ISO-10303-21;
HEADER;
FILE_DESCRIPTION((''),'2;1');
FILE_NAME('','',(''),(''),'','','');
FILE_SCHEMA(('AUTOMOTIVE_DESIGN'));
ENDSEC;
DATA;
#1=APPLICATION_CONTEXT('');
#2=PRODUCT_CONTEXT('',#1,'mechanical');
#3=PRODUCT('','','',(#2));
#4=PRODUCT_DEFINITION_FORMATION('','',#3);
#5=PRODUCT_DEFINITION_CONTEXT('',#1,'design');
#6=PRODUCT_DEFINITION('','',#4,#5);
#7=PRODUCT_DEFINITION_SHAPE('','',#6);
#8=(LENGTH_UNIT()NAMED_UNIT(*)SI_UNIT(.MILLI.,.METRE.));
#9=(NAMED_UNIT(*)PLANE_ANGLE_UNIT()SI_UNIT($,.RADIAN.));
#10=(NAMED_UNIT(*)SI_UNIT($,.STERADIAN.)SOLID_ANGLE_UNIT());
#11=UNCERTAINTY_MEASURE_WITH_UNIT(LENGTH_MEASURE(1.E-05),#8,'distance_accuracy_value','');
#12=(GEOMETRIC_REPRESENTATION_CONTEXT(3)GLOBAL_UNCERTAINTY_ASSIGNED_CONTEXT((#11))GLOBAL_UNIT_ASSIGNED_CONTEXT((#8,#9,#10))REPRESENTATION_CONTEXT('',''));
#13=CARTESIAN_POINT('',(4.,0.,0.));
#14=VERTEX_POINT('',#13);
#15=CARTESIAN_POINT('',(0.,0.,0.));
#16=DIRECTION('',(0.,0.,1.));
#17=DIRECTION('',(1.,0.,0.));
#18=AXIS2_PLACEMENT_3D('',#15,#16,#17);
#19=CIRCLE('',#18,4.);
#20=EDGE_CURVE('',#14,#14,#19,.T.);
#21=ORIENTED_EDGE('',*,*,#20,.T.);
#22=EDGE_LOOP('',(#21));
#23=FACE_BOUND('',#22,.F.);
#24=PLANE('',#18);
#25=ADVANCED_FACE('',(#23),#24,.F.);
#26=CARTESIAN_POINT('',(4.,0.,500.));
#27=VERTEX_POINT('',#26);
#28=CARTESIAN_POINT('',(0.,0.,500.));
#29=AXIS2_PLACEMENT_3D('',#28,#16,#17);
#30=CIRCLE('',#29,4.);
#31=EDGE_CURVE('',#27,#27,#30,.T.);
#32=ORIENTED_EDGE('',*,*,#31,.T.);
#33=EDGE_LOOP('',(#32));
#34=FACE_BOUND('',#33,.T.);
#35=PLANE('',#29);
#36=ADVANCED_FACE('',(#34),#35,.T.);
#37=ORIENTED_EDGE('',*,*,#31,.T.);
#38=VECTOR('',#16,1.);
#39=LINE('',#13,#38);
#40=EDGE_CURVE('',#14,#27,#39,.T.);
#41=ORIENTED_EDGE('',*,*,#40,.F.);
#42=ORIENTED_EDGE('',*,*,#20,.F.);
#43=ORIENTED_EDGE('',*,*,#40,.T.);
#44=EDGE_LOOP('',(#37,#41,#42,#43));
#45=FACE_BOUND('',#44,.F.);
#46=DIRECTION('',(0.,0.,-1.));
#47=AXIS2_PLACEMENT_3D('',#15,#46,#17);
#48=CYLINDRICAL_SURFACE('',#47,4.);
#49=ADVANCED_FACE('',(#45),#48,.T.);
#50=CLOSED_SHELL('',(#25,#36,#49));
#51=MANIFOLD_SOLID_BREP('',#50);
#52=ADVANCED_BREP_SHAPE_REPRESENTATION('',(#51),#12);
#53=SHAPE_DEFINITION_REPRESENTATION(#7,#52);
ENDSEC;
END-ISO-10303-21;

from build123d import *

# Parameters (mm, degrees)
SKETCH_R  = 4
PAD_DEPTH = 500


with BuildPart() as part:
    # Sketch → Pad (new body)
    with BuildSketch(Plane.XY):
        Circle(SKETCH_R)
    extrude(amount=PAD_DEPTH)


solid = part.part
